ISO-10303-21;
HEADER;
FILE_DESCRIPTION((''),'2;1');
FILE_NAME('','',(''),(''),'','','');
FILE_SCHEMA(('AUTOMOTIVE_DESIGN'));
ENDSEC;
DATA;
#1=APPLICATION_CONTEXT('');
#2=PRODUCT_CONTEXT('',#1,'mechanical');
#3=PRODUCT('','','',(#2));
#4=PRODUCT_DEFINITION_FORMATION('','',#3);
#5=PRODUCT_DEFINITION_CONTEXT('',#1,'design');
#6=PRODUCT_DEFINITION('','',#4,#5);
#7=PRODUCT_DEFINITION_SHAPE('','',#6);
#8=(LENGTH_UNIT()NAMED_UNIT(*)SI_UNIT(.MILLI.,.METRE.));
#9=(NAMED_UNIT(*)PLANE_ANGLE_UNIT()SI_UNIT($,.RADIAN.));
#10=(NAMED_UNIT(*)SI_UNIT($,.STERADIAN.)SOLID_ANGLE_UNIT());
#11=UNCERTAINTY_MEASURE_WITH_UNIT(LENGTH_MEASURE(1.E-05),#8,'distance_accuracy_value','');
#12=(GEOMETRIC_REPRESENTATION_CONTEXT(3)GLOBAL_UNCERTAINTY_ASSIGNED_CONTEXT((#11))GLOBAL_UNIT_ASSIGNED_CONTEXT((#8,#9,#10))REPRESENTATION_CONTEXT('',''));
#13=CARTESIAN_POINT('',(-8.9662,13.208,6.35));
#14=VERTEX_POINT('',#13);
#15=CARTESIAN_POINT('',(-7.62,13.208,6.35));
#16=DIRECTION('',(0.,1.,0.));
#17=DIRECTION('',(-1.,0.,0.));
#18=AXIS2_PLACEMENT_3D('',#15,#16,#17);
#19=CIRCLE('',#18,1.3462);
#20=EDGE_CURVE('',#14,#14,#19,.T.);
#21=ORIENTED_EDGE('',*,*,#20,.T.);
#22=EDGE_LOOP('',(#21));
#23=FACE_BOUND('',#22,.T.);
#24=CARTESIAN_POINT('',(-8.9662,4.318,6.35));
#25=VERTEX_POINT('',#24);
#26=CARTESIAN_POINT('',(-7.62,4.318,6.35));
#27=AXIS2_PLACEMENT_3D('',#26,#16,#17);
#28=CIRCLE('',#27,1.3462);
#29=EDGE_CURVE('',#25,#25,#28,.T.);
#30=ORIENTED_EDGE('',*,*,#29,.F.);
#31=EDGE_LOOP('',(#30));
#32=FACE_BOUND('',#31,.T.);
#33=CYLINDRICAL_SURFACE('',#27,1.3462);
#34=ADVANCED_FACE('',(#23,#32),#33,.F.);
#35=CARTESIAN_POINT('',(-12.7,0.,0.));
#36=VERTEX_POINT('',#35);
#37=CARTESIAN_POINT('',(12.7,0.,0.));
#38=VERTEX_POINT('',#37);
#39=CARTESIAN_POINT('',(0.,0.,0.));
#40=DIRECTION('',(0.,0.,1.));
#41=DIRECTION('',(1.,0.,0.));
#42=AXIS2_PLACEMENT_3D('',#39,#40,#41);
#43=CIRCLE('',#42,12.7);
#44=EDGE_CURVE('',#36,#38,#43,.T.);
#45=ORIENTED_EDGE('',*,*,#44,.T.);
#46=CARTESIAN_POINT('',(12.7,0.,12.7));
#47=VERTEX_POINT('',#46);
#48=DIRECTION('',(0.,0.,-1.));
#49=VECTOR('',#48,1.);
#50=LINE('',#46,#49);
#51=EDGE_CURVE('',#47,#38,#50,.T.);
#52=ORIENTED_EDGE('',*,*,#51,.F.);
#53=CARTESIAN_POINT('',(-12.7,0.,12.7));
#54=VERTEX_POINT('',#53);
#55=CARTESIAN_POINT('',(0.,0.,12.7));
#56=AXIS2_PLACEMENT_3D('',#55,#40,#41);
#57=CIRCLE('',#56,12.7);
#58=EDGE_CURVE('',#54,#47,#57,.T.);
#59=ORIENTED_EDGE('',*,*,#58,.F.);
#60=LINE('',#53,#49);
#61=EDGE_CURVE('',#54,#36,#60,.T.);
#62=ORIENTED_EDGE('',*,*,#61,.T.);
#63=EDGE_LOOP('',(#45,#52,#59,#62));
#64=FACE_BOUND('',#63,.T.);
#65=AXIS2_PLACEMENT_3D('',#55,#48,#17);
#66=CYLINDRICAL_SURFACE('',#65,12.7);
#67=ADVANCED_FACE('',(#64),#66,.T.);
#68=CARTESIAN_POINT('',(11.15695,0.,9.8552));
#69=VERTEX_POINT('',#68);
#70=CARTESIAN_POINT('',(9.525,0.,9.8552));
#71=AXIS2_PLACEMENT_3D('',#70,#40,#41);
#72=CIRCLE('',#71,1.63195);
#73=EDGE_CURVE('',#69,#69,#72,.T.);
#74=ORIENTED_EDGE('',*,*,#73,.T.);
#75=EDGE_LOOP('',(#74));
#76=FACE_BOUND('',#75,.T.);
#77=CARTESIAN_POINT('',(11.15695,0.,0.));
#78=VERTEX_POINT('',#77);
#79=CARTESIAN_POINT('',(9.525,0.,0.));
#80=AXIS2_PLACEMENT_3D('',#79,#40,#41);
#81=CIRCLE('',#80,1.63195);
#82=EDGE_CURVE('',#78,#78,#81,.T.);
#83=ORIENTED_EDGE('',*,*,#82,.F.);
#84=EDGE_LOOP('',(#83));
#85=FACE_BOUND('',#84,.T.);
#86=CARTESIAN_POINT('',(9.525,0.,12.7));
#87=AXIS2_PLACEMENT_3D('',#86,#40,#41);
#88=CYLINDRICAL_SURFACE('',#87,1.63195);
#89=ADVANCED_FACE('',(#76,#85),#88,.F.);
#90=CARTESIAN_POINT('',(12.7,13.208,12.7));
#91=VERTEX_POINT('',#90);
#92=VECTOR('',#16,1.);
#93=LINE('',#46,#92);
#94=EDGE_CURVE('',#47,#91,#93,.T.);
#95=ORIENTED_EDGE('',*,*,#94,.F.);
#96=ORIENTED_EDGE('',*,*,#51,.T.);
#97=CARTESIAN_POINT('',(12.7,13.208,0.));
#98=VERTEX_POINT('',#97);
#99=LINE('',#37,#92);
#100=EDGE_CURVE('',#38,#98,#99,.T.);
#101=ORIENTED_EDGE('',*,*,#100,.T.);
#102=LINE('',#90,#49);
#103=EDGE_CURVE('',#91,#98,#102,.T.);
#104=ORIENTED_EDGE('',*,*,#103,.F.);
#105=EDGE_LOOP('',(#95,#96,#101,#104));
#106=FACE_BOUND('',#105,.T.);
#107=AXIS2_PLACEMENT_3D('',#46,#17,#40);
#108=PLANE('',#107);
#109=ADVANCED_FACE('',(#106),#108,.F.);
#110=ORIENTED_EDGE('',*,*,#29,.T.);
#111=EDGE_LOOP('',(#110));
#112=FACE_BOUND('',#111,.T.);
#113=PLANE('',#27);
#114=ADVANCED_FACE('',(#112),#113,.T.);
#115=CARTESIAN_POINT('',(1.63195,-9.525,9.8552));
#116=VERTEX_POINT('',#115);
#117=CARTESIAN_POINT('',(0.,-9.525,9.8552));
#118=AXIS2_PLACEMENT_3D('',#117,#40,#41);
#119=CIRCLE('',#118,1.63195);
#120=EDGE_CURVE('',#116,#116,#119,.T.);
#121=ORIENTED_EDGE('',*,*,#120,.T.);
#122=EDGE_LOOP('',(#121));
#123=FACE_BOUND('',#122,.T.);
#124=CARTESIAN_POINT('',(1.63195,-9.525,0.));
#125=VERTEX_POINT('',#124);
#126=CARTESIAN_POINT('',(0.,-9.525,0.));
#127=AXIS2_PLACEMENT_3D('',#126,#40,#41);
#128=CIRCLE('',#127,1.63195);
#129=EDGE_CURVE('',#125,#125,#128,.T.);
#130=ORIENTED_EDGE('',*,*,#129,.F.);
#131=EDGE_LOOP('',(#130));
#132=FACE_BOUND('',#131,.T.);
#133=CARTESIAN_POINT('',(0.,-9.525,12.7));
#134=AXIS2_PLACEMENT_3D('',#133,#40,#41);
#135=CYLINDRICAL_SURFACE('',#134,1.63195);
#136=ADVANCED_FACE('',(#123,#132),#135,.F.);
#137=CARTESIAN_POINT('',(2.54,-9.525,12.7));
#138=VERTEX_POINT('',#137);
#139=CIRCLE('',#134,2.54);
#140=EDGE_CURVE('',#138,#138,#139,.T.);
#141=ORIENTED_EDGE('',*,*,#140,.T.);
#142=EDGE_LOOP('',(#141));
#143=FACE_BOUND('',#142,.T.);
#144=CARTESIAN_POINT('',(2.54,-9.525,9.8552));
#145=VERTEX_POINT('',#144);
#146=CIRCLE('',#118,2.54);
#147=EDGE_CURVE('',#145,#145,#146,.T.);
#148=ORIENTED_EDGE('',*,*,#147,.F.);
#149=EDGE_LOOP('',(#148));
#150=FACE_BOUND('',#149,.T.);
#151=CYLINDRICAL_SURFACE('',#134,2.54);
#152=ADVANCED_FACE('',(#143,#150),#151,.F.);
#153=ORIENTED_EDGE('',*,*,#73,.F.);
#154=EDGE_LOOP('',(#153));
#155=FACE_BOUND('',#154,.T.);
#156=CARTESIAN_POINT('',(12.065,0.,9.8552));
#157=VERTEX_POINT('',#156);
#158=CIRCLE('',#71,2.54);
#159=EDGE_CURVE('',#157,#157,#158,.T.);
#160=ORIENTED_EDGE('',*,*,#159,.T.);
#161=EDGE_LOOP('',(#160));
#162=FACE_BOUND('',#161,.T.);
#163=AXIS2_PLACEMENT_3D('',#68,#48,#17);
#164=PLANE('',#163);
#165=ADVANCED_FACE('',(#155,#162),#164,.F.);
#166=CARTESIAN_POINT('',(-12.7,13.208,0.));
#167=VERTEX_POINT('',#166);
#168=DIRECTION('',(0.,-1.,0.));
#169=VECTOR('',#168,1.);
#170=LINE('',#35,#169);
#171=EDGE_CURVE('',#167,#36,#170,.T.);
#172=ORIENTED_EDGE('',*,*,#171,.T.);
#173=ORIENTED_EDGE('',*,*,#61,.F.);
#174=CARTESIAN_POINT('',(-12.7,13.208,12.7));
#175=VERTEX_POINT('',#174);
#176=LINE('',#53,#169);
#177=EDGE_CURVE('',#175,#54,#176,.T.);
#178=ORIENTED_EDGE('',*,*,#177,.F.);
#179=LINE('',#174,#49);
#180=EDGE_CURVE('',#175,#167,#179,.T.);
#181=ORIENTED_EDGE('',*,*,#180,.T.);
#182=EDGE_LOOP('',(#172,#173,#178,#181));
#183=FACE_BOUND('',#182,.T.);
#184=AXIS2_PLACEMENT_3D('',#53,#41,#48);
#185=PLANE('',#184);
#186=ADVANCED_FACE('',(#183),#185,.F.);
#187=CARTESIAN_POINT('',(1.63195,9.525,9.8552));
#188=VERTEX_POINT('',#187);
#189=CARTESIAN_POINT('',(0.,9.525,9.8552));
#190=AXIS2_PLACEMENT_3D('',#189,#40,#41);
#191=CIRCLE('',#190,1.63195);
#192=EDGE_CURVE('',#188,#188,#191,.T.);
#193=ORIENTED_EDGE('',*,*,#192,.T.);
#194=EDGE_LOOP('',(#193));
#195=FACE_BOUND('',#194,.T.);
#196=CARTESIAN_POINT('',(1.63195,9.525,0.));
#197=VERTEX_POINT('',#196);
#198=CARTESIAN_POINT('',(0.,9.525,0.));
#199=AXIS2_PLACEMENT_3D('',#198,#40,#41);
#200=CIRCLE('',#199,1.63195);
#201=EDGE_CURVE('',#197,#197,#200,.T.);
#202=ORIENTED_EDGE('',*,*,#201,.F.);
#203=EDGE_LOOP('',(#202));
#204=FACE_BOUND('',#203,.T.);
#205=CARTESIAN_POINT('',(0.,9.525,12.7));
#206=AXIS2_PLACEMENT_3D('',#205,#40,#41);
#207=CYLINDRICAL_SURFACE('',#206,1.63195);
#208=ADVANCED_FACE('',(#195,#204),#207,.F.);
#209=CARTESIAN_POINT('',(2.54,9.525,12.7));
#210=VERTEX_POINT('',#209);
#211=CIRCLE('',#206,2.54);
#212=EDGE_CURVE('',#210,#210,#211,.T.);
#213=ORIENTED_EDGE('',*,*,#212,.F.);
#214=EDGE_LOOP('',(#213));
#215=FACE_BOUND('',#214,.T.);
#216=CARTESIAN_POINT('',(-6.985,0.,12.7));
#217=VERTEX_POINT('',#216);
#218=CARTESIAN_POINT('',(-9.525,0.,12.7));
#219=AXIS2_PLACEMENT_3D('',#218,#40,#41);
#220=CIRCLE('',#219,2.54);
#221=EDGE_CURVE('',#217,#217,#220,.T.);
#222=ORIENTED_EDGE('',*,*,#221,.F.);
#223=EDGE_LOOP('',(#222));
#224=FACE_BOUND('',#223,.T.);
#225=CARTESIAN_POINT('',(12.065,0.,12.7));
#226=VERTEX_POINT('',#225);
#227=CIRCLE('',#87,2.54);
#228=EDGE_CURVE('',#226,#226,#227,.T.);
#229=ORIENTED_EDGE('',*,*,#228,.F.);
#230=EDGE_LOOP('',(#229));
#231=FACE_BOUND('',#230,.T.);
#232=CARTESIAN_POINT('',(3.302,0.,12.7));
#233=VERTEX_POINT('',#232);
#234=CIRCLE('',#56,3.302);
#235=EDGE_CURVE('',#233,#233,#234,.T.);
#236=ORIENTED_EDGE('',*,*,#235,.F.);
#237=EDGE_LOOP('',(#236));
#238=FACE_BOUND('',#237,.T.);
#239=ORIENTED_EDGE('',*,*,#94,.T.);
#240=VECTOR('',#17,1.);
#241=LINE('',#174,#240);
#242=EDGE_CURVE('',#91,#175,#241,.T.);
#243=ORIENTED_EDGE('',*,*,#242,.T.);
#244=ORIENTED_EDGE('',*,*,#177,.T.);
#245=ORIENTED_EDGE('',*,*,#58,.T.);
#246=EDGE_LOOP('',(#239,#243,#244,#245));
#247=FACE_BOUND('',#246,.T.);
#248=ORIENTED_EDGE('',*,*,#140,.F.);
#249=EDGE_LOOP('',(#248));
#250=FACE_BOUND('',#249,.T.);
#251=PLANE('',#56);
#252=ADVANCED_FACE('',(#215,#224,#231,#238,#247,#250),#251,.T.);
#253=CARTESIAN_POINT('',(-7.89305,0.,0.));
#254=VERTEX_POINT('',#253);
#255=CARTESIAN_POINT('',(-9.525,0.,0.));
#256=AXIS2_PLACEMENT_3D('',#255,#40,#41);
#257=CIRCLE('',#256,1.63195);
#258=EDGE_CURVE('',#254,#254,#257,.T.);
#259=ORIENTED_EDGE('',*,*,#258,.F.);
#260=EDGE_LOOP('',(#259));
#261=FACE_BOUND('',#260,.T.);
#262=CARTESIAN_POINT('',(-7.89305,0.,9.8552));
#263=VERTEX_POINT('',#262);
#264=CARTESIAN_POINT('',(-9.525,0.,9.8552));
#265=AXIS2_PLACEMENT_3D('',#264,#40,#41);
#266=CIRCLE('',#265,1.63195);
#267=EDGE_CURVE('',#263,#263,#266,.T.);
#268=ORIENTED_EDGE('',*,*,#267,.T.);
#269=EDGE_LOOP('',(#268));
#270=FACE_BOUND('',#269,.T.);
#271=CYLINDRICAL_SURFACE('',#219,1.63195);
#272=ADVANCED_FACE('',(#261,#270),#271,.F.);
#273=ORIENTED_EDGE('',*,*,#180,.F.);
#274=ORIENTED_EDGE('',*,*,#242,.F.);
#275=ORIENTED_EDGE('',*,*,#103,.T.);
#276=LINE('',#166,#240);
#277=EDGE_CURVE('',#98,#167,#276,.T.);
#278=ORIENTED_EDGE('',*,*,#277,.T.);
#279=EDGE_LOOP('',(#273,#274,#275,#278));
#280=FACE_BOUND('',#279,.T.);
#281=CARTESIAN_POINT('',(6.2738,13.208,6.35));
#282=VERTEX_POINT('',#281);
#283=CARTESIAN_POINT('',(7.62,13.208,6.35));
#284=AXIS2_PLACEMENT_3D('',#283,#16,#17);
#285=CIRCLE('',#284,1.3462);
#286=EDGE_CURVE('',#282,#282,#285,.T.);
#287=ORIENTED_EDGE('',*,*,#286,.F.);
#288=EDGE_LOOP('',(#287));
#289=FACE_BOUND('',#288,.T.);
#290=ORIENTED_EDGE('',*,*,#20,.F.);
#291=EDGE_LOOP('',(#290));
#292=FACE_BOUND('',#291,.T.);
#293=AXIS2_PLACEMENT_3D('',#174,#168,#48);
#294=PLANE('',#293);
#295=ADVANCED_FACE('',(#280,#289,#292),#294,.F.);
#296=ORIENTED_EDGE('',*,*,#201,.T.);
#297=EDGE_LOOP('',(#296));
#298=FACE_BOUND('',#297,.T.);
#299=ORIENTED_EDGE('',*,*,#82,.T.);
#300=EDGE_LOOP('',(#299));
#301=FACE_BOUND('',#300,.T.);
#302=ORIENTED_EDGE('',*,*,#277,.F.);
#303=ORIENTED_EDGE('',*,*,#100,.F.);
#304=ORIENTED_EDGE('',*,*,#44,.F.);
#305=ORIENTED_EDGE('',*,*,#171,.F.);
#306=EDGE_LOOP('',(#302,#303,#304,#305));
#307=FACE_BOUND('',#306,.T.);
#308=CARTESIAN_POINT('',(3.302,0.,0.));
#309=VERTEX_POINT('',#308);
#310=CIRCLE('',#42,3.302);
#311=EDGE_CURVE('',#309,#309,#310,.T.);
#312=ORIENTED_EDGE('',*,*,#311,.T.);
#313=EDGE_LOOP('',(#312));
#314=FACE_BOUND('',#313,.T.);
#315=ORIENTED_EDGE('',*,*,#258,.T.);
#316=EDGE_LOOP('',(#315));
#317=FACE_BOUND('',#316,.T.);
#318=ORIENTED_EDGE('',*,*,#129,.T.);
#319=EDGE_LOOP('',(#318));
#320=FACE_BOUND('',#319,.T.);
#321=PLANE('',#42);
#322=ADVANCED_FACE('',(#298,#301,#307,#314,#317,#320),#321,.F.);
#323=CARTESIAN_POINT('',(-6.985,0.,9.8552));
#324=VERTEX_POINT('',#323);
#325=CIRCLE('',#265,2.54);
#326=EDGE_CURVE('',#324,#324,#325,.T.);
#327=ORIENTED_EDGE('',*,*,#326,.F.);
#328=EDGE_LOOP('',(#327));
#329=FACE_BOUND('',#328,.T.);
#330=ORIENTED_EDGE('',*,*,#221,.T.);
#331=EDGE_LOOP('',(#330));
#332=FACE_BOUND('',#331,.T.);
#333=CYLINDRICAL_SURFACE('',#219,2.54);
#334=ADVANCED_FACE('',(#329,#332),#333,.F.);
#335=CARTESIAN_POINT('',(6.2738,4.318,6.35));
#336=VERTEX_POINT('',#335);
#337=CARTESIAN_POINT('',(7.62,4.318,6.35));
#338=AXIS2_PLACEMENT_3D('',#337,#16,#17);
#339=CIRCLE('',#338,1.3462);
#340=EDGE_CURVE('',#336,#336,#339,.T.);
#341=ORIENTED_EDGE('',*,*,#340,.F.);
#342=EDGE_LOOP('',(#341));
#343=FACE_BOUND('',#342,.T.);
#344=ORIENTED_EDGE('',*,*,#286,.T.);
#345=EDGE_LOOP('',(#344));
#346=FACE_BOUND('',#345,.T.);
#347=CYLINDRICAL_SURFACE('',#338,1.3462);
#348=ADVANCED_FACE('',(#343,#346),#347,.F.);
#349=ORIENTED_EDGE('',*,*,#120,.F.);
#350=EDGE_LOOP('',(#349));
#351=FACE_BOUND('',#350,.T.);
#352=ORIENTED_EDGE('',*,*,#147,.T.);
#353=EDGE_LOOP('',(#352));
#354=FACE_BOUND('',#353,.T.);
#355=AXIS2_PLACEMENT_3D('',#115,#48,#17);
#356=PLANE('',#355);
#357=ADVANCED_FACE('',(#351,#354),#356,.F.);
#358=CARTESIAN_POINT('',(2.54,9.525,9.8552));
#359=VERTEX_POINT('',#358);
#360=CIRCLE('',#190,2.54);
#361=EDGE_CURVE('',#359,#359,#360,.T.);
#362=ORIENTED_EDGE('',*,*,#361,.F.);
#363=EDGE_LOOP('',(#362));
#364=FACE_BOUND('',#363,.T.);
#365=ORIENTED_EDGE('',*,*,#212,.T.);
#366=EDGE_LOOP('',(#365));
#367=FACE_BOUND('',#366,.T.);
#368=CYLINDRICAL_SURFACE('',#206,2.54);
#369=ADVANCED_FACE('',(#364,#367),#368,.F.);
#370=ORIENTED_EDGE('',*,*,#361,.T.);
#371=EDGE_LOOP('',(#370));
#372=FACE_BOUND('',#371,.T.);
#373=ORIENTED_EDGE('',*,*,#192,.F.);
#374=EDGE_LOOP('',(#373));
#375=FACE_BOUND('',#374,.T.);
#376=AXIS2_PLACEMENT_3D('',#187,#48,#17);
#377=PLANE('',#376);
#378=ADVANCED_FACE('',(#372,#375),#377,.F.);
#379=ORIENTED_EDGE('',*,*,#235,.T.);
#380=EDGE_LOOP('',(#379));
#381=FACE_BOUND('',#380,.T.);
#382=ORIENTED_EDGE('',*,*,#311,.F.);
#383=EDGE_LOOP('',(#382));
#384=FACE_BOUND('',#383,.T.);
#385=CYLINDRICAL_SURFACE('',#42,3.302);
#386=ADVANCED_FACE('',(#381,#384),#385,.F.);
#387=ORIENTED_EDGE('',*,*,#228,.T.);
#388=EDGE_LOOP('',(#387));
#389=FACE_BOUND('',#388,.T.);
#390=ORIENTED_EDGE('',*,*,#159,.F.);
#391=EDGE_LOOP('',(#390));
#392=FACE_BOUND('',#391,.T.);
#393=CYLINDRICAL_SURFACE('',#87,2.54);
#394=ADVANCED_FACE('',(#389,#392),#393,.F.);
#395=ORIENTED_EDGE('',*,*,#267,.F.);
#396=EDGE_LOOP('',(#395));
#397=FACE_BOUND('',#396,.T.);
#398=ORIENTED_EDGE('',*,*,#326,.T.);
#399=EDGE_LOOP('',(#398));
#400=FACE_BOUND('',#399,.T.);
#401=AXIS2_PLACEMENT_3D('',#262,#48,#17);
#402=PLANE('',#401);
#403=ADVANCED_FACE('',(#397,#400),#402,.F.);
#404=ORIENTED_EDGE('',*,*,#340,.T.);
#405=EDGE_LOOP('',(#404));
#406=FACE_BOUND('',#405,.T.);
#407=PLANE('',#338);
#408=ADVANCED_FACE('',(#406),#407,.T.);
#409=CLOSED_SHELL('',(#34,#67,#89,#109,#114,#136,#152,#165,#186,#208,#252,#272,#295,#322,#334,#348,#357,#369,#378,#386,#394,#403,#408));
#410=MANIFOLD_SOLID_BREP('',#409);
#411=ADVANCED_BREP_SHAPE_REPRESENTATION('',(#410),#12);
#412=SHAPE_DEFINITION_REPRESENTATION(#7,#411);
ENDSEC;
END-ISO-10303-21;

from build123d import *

# Parameters (mm, degrees)
BOSS_EXTRUDE1_DEPTH                            = 12.7
SKETCH2_R                                      = 3.302
CUT_EXTRUDE1_DEPTH                             = 12.7
CBORE_FOR_4_SOCKET_HEAD_CAP_SCREW1_D           = 3.2639
CBORE_FOR_4_SOCKET_HEAD_CAP_SCREW1_CBORE_D     = 5.08
CBORE_FOR_4_SOCKET_HEAD_CAP_SCREW1_CBORE_DEPTH = 2.8448
SKETCH9_R                                      = 1.3462
CUT_EXTRUDE3_DEPTH                             = 8.89


with BuildPart() as part:
    # Sketch1 → Boss-Extrude1 (new body)
    with BuildSketch(Plane.XY):
        with BuildLine():
            Line((-12.7, 0), (-12.7, 13.208))
            Line((-12.7, 13.208), (12.7, 13.208))
            Line((12.7, 13.208), (12.7, 0))
            ThreePointArc((12.7, 0), (0, -12.7), (-12.7, 0))
        make_face()
    extrude(amount=BOSS_EXTRUDE1_DEPTH)

    # Sketch2 → Cut-Extrude1 (cut)
    with BuildSketch(Plane.XY.offset(12.7)):
        Circle(SKETCH2_R)
    extrude(amount=-CUT_EXTRUDE1_DEPTH, mode=Mode.SUBTRACT)

    # CBORE for #4 Socket Head Cap Screw1 (through all)
    with Locations(Plane.XY.offset(12.7)):
        with Locations((-9.525, 0), (0, 9.525), (9.525, 0), (0, -9.525)):
            CounterBoreHole(CBORE_FOR_4_SOCKET_HEAD_CAP_SCREW1_D / 2, CBORE_FOR_4_SOCKET_HEAD_CAP_SCREW1_CBORE_D / 2, CBORE_FOR_4_SOCKET_HEAD_CAP_SCREW1_CBORE_DEPTH)

    # Sketch9 → Cut-Extrude3 (cut)
    with BuildSketch(Plane(origin=(0, 13.208, 0), x_dir=(1, 0, 0), z_dir=(0, 1, 0))):
        with Locations((-7.62, -6.35)):
            Circle(SKETCH9_R)
        with Locations((7.62, -6.35)):
            Circle(SKETCH9_R)
    extrude(amount=-CUT_EXTRUDE3_DEPTH, mode=Mode.SUBTRACT)


solid = part.part
